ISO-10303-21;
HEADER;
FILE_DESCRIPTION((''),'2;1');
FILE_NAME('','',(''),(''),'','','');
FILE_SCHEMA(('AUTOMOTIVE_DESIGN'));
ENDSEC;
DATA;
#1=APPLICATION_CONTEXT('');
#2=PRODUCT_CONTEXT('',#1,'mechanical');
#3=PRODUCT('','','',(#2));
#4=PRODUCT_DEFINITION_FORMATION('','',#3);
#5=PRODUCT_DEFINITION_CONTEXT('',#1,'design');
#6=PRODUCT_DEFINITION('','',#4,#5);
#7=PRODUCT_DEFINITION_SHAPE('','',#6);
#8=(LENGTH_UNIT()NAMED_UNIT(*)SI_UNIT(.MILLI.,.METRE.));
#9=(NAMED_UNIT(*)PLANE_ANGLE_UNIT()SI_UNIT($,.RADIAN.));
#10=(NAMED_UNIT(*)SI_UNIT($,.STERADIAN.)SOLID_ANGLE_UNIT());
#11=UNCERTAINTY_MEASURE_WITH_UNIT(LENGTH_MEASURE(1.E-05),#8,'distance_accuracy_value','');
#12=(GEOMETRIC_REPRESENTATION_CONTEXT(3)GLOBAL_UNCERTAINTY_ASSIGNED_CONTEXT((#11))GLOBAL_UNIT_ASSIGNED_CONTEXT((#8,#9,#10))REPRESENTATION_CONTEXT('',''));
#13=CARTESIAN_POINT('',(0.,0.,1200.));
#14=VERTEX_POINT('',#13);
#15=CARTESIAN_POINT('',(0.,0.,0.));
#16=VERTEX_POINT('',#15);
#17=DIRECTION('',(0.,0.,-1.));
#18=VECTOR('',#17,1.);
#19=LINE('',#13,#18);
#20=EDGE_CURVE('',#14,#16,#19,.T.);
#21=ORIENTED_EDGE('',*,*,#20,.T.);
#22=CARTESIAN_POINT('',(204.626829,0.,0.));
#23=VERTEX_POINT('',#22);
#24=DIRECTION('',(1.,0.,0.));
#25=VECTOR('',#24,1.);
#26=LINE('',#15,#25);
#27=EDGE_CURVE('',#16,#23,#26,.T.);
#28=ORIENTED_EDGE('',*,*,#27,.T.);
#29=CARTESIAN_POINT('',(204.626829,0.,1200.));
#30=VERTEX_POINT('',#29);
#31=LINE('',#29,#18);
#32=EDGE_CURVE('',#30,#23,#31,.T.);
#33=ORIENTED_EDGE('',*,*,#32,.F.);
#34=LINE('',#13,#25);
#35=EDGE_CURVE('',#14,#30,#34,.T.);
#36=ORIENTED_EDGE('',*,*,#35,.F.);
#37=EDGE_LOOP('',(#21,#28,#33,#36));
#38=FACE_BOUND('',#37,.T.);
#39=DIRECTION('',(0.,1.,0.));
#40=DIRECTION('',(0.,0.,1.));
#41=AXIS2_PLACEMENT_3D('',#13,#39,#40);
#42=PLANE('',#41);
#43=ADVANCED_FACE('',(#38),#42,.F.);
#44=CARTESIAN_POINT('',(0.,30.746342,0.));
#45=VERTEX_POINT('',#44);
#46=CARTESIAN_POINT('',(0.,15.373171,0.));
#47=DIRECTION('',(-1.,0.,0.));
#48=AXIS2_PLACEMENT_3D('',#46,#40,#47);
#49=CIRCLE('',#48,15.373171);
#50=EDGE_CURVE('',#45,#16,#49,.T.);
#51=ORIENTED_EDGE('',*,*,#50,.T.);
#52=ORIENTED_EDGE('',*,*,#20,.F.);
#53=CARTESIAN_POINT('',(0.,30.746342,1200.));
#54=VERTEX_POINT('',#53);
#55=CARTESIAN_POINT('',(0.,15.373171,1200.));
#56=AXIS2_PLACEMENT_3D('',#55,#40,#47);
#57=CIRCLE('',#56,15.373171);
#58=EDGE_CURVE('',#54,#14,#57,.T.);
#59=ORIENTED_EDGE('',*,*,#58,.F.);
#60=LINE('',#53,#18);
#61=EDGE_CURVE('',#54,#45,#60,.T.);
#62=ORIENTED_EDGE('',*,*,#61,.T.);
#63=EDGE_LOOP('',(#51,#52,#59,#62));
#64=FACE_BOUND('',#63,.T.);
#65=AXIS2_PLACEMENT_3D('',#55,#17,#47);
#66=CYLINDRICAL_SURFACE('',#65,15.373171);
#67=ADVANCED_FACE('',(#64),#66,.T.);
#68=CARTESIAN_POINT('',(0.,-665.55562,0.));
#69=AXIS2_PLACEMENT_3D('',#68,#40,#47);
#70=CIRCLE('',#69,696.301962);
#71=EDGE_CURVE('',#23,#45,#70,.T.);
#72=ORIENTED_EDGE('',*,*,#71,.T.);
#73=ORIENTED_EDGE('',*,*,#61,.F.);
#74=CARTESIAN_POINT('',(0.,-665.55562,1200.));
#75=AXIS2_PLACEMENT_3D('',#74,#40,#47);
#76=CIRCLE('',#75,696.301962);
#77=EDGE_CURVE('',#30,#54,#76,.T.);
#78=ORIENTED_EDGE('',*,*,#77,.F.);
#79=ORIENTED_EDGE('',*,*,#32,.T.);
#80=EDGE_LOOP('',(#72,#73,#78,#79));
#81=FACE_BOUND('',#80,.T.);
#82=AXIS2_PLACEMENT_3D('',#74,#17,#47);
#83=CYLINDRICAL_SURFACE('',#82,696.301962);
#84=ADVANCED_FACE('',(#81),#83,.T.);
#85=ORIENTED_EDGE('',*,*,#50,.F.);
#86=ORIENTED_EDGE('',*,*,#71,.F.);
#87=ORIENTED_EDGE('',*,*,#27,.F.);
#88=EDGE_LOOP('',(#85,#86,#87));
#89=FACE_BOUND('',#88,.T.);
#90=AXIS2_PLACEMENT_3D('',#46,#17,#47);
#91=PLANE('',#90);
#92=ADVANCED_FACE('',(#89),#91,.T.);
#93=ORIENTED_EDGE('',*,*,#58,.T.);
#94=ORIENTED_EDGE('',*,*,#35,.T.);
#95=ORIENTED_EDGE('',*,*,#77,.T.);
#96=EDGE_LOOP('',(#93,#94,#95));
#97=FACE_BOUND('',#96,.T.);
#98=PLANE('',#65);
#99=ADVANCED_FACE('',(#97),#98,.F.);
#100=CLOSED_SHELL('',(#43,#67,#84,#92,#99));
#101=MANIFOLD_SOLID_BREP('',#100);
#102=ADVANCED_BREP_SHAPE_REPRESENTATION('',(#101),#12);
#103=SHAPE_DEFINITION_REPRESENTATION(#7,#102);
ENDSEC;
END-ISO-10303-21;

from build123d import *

# Parameters (mm, degrees)
BOSS_EXTRUDE1_DEPTH = 1200


with BuildPart() as part:
    # Sketch1 → Boss-Extrude1 (new body)
    with BuildSketch(Plane.XY):
        with BuildLine():
            Line((0, 0), (204.626828946, 0))
            ThreePointArc((204.626828946, 0), (103.46192135, 23.016854955), (0, 30.746342107))
            ThreePointArc((0, 30.746342107), (-15.373171054, 15.373171054), (0, 0))
        make_face()
    extrude(amount=BOSS_EXTRUDE1_DEPTH)


solid = part.part
